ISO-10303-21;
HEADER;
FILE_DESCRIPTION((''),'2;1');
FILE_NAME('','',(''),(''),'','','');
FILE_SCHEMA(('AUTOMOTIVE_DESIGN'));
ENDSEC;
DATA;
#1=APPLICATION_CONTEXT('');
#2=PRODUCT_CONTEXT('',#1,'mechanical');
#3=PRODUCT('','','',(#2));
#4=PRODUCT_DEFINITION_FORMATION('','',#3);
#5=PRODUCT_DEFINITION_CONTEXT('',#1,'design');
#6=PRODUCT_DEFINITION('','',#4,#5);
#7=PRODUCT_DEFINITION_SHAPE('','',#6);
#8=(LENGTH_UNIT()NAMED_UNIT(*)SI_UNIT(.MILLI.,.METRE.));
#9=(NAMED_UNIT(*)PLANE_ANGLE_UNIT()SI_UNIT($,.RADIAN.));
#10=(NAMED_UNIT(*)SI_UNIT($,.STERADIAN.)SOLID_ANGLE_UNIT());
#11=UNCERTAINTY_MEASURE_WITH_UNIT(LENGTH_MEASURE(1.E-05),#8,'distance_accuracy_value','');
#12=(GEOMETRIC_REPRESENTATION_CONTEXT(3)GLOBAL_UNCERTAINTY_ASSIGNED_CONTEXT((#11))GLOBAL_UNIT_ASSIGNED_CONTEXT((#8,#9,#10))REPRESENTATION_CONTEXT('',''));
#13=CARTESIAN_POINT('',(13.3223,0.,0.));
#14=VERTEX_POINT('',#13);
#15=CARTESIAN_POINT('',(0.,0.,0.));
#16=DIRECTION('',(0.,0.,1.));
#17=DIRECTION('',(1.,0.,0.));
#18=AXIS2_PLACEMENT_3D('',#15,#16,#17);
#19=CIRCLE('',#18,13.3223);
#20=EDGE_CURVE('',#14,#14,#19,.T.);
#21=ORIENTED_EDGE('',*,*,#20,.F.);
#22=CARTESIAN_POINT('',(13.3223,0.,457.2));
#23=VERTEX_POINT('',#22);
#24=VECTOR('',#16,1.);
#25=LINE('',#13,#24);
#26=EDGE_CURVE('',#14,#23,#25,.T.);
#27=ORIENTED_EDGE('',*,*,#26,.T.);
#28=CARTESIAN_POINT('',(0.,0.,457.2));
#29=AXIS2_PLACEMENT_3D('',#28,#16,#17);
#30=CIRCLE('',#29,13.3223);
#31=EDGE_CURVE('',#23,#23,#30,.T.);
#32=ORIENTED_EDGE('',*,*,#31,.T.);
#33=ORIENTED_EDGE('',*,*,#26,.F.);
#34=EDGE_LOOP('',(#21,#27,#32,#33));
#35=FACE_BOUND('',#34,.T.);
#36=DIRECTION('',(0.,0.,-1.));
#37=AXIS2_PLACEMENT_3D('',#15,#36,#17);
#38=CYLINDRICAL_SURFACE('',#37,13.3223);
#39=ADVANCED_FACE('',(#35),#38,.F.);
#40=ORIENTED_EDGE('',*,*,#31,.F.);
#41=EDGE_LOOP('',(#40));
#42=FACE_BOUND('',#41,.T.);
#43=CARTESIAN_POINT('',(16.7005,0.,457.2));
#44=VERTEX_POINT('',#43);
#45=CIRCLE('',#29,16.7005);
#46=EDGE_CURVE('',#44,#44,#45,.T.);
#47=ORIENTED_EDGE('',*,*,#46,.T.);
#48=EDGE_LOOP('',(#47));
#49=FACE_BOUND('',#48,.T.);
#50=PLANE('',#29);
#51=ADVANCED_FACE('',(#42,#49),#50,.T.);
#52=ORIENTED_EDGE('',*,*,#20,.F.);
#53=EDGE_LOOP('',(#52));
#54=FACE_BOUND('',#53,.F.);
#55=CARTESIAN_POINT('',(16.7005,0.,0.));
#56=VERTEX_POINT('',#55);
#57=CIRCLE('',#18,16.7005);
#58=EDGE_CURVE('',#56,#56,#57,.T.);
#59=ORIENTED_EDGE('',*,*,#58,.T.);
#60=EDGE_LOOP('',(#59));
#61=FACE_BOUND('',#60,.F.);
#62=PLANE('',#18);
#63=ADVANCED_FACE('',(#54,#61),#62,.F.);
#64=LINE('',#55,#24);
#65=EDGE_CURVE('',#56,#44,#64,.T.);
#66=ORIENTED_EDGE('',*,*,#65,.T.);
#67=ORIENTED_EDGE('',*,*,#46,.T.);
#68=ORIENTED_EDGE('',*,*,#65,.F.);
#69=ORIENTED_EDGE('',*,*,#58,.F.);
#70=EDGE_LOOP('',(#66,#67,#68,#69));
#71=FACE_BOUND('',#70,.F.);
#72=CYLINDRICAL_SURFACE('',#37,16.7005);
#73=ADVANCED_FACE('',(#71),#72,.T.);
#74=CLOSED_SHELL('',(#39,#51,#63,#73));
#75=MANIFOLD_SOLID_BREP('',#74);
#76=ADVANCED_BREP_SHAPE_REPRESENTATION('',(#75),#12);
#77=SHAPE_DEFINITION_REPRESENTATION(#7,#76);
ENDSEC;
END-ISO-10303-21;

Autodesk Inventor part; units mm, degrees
ref_plane "YZ Plane" through (0, 0, 0) normal (1, 0, 0) x (0, 1, 0)
ref_plane "Start plane" through (0, 0, 0) normal (0, 0, 1) x (1, 0, 0)
ref_plane "End plane" through (0, 0, 457.2) normal (0, 0, 1) x (1, 0, 0)
sketch "Sketch" plane through (0, 0, 0) normal (0, 0, 1) x (1, 0, 0)
  circle A0 centre (0, 0) radius 13.3223
  circle A1 centre (0, 0) radius 16.7005
  dimension "d0" = 33.401
  dimension "d1" = 3.3782
extrude "Body" add sketch "Sketch" along normal up to surface (457.2 mm away) from surface at 0
sketch "Sketch3" plane through (0, 0, 0) normal (0, 0, 1) x (1, 0, 0)
  line L0 (0, 0) -> (10, 0)
ref_plane "Work Plane3" through (0, 0, 0) normal (0, -1, 0) x (1, 0, 0)
sketch "Sketch4" plane through (0, 0, 0) normal (0, -1, 0) x (1, 0, 0)
  line L0 (-2, 0) -> (12, 0)
  line L1 (-2, 457.2) -> (12, 457.2)
  dimension "d7" = 457.2
equation "\"d0\" = G_H"
equation "\"d1\" = G_T"
equation "\"d2\" = G_L"
equation "\"G_H\" = 33.401"
equation "\"G_T\" = 3.3782"
equation "\"G_L\" = d7"
equation "\"G_OFFSET_START\" = 0"
equation "\"G_OFFSET_END\" = 0"
equation "\"d5\" = G_OFFSET_END + B_L"
equation "\"B_L\" = 457.2"
properties part number "ANSI - 1 x 0.133 - 18" material "Steel, Mild"
